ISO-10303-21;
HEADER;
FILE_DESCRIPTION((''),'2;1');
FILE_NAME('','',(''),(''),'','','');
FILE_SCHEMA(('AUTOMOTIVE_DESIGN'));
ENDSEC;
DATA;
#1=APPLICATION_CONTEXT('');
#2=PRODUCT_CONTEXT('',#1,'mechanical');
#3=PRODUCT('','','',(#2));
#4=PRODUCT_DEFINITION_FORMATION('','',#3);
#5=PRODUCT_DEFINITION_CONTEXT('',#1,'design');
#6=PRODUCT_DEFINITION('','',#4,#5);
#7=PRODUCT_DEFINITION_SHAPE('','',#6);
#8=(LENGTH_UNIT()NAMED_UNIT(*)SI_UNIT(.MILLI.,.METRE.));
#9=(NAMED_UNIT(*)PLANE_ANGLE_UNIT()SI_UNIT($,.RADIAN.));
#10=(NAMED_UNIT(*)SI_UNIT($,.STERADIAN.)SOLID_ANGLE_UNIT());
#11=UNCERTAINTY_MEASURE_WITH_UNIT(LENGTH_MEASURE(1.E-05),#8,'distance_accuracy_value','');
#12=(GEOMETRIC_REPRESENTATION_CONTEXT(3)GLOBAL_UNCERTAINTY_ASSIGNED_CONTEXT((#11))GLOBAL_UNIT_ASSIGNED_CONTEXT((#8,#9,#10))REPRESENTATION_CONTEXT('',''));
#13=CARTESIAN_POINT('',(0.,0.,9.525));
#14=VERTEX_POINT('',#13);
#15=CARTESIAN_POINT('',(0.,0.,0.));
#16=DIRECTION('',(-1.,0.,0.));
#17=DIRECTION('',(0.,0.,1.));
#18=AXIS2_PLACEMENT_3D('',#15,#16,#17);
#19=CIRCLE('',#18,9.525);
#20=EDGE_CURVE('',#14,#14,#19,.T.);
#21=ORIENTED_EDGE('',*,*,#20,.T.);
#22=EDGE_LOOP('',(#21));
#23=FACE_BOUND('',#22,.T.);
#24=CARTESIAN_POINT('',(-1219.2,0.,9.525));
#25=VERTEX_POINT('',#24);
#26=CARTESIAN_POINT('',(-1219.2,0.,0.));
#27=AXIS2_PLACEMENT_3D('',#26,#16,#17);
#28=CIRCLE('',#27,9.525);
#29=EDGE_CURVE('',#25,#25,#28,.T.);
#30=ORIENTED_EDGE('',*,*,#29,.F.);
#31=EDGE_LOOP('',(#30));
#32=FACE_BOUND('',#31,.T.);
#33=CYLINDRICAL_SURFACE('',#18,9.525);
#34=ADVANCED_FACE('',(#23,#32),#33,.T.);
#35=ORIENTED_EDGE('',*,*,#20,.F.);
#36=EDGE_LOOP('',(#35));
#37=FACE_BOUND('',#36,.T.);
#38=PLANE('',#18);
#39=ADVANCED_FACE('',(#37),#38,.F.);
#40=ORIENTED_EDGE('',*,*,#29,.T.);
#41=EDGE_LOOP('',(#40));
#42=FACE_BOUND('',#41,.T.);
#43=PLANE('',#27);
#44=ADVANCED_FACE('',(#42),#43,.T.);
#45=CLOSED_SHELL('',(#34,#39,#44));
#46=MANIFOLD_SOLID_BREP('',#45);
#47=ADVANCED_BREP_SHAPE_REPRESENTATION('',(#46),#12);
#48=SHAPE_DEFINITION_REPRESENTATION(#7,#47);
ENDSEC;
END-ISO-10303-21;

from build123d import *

# Parameters (mm, degrees)
SWEEP1_PROFILE_R = 9.525


with BuildPart() as part:
    # Sweep1: sweep along a path in Sketch1
    with BuildLine(Plane(origin=(0, 0, 0), x_dir=(1, 0, 0), z_dir=(0, 1, 0))) as sweep1_path:
        Line((0, 0), (-1219.2, 0))
    # Sweep1 profile (on start of the path) → Sweep1 (sweep)
    with BuildSketch(Plane(origin=(0, 0, 0), x_dir=(0, 0, -1), z_dir=(-1, 0, 0))):
        Circle(SWEEP1_PROFILE_R)
    sweep(path=sweep1_path.line)


solid = part.part
